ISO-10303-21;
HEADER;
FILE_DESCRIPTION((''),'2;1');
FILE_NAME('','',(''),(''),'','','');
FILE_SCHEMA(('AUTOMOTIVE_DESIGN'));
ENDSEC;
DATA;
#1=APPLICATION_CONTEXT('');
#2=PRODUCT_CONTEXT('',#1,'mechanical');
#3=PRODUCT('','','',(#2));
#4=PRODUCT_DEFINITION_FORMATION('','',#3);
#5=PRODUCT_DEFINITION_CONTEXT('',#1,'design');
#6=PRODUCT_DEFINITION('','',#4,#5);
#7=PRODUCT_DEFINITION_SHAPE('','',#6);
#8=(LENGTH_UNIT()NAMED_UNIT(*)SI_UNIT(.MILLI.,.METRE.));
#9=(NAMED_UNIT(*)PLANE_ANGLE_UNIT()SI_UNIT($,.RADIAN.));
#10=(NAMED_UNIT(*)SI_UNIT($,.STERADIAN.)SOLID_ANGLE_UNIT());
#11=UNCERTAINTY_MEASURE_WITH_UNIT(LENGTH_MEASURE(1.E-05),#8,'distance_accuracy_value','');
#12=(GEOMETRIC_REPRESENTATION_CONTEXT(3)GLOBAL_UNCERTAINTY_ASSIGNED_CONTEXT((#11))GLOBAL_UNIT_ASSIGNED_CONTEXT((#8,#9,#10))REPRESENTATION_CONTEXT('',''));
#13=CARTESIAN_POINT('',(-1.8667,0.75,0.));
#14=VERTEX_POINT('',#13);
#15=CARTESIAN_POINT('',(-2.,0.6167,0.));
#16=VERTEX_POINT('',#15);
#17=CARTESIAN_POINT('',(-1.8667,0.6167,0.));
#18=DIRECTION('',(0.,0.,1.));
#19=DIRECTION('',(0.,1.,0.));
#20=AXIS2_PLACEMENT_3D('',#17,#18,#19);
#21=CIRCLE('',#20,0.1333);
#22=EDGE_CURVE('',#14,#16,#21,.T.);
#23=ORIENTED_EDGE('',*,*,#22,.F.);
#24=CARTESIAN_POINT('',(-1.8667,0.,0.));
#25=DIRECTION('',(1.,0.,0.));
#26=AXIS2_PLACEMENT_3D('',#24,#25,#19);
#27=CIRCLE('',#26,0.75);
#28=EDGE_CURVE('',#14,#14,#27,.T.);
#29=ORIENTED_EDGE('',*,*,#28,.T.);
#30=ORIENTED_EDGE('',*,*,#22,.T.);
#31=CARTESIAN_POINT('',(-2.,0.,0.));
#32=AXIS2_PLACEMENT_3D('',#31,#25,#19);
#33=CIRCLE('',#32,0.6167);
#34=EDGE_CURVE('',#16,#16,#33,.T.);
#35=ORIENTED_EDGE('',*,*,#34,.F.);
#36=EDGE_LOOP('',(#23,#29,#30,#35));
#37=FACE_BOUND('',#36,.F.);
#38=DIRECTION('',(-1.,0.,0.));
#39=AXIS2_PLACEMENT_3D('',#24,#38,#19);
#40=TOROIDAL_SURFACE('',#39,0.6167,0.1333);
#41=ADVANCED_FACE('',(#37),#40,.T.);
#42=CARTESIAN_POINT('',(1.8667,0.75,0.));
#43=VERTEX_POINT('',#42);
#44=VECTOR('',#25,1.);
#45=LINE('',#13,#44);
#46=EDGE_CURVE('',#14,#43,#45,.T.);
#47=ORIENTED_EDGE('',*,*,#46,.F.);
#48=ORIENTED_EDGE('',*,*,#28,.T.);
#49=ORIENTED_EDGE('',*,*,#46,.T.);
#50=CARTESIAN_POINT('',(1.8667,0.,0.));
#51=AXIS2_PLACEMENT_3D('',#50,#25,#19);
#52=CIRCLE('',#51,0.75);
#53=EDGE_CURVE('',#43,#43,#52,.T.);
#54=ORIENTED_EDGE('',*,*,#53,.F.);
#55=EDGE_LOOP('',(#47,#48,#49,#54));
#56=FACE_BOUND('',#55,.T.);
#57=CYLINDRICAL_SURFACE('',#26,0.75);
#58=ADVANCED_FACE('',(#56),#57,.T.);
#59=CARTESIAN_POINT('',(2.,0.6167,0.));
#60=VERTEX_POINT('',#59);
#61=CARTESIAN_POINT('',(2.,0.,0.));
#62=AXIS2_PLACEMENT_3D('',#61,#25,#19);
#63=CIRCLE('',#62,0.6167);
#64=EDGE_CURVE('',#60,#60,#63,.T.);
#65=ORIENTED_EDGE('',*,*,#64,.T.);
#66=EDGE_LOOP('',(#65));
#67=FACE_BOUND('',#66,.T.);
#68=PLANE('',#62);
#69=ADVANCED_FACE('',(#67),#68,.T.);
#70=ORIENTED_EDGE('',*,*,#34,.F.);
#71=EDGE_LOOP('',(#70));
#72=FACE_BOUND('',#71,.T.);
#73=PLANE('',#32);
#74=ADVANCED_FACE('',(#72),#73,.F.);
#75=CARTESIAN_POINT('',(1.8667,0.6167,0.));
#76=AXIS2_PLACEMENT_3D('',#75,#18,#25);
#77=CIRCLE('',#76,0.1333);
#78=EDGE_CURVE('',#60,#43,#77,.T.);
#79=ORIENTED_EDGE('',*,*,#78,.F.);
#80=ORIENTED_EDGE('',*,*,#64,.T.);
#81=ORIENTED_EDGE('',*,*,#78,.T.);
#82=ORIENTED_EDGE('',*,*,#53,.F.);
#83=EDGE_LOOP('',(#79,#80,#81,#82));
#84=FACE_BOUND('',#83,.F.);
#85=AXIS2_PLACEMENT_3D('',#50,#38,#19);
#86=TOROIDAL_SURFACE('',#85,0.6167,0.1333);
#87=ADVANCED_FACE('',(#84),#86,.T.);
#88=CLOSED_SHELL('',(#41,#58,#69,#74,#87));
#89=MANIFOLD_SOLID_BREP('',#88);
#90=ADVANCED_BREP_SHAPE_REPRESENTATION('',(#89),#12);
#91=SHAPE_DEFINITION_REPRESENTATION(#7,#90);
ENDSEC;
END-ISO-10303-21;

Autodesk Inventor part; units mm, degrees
sketch "Sketch_1" plane through (0, 0, 0) normal (0, 0, 1) x (1, 0, 0)
  line L0 (2, 0) -> (-2, 0)
  line L1 (-2, 0) -> (-2, 0.6167)
  arc A0 (-1.8667, 0.75) -> (-2, 0.6167) centre (-1.8667, 0.6167) ccw
  line L2 (-1.8667, 0.75) -> (1.8667, 0.75)
  arc A1 (2, 0.6167) -> (1.8667, 0.75) centre (1.8667, 0.6167) ccw
  line L3 (2, 0.6167) -> (2, 0)
  line L4 (2, 0) -> (-2, 0)
revolve "Revolution1" add sketch "Sketch_1" angle 360 about axis through (2, 0, 0) along (1, 0, 0)
ref_plane "IP_1_XY" through (0, 0, 0) normal (1, 0, 0) x (0, 0, -1)
ref_plane "IP_1_YZ" through (0, 0, 0) normal (0, 0, -1) x (0, 1, 0)
ref_plane "IP_1_ZX" through (0, 0, 0) normal (0, 1, 0) x (1, 0, 0)
properties part number "HK0408FT2RO"
